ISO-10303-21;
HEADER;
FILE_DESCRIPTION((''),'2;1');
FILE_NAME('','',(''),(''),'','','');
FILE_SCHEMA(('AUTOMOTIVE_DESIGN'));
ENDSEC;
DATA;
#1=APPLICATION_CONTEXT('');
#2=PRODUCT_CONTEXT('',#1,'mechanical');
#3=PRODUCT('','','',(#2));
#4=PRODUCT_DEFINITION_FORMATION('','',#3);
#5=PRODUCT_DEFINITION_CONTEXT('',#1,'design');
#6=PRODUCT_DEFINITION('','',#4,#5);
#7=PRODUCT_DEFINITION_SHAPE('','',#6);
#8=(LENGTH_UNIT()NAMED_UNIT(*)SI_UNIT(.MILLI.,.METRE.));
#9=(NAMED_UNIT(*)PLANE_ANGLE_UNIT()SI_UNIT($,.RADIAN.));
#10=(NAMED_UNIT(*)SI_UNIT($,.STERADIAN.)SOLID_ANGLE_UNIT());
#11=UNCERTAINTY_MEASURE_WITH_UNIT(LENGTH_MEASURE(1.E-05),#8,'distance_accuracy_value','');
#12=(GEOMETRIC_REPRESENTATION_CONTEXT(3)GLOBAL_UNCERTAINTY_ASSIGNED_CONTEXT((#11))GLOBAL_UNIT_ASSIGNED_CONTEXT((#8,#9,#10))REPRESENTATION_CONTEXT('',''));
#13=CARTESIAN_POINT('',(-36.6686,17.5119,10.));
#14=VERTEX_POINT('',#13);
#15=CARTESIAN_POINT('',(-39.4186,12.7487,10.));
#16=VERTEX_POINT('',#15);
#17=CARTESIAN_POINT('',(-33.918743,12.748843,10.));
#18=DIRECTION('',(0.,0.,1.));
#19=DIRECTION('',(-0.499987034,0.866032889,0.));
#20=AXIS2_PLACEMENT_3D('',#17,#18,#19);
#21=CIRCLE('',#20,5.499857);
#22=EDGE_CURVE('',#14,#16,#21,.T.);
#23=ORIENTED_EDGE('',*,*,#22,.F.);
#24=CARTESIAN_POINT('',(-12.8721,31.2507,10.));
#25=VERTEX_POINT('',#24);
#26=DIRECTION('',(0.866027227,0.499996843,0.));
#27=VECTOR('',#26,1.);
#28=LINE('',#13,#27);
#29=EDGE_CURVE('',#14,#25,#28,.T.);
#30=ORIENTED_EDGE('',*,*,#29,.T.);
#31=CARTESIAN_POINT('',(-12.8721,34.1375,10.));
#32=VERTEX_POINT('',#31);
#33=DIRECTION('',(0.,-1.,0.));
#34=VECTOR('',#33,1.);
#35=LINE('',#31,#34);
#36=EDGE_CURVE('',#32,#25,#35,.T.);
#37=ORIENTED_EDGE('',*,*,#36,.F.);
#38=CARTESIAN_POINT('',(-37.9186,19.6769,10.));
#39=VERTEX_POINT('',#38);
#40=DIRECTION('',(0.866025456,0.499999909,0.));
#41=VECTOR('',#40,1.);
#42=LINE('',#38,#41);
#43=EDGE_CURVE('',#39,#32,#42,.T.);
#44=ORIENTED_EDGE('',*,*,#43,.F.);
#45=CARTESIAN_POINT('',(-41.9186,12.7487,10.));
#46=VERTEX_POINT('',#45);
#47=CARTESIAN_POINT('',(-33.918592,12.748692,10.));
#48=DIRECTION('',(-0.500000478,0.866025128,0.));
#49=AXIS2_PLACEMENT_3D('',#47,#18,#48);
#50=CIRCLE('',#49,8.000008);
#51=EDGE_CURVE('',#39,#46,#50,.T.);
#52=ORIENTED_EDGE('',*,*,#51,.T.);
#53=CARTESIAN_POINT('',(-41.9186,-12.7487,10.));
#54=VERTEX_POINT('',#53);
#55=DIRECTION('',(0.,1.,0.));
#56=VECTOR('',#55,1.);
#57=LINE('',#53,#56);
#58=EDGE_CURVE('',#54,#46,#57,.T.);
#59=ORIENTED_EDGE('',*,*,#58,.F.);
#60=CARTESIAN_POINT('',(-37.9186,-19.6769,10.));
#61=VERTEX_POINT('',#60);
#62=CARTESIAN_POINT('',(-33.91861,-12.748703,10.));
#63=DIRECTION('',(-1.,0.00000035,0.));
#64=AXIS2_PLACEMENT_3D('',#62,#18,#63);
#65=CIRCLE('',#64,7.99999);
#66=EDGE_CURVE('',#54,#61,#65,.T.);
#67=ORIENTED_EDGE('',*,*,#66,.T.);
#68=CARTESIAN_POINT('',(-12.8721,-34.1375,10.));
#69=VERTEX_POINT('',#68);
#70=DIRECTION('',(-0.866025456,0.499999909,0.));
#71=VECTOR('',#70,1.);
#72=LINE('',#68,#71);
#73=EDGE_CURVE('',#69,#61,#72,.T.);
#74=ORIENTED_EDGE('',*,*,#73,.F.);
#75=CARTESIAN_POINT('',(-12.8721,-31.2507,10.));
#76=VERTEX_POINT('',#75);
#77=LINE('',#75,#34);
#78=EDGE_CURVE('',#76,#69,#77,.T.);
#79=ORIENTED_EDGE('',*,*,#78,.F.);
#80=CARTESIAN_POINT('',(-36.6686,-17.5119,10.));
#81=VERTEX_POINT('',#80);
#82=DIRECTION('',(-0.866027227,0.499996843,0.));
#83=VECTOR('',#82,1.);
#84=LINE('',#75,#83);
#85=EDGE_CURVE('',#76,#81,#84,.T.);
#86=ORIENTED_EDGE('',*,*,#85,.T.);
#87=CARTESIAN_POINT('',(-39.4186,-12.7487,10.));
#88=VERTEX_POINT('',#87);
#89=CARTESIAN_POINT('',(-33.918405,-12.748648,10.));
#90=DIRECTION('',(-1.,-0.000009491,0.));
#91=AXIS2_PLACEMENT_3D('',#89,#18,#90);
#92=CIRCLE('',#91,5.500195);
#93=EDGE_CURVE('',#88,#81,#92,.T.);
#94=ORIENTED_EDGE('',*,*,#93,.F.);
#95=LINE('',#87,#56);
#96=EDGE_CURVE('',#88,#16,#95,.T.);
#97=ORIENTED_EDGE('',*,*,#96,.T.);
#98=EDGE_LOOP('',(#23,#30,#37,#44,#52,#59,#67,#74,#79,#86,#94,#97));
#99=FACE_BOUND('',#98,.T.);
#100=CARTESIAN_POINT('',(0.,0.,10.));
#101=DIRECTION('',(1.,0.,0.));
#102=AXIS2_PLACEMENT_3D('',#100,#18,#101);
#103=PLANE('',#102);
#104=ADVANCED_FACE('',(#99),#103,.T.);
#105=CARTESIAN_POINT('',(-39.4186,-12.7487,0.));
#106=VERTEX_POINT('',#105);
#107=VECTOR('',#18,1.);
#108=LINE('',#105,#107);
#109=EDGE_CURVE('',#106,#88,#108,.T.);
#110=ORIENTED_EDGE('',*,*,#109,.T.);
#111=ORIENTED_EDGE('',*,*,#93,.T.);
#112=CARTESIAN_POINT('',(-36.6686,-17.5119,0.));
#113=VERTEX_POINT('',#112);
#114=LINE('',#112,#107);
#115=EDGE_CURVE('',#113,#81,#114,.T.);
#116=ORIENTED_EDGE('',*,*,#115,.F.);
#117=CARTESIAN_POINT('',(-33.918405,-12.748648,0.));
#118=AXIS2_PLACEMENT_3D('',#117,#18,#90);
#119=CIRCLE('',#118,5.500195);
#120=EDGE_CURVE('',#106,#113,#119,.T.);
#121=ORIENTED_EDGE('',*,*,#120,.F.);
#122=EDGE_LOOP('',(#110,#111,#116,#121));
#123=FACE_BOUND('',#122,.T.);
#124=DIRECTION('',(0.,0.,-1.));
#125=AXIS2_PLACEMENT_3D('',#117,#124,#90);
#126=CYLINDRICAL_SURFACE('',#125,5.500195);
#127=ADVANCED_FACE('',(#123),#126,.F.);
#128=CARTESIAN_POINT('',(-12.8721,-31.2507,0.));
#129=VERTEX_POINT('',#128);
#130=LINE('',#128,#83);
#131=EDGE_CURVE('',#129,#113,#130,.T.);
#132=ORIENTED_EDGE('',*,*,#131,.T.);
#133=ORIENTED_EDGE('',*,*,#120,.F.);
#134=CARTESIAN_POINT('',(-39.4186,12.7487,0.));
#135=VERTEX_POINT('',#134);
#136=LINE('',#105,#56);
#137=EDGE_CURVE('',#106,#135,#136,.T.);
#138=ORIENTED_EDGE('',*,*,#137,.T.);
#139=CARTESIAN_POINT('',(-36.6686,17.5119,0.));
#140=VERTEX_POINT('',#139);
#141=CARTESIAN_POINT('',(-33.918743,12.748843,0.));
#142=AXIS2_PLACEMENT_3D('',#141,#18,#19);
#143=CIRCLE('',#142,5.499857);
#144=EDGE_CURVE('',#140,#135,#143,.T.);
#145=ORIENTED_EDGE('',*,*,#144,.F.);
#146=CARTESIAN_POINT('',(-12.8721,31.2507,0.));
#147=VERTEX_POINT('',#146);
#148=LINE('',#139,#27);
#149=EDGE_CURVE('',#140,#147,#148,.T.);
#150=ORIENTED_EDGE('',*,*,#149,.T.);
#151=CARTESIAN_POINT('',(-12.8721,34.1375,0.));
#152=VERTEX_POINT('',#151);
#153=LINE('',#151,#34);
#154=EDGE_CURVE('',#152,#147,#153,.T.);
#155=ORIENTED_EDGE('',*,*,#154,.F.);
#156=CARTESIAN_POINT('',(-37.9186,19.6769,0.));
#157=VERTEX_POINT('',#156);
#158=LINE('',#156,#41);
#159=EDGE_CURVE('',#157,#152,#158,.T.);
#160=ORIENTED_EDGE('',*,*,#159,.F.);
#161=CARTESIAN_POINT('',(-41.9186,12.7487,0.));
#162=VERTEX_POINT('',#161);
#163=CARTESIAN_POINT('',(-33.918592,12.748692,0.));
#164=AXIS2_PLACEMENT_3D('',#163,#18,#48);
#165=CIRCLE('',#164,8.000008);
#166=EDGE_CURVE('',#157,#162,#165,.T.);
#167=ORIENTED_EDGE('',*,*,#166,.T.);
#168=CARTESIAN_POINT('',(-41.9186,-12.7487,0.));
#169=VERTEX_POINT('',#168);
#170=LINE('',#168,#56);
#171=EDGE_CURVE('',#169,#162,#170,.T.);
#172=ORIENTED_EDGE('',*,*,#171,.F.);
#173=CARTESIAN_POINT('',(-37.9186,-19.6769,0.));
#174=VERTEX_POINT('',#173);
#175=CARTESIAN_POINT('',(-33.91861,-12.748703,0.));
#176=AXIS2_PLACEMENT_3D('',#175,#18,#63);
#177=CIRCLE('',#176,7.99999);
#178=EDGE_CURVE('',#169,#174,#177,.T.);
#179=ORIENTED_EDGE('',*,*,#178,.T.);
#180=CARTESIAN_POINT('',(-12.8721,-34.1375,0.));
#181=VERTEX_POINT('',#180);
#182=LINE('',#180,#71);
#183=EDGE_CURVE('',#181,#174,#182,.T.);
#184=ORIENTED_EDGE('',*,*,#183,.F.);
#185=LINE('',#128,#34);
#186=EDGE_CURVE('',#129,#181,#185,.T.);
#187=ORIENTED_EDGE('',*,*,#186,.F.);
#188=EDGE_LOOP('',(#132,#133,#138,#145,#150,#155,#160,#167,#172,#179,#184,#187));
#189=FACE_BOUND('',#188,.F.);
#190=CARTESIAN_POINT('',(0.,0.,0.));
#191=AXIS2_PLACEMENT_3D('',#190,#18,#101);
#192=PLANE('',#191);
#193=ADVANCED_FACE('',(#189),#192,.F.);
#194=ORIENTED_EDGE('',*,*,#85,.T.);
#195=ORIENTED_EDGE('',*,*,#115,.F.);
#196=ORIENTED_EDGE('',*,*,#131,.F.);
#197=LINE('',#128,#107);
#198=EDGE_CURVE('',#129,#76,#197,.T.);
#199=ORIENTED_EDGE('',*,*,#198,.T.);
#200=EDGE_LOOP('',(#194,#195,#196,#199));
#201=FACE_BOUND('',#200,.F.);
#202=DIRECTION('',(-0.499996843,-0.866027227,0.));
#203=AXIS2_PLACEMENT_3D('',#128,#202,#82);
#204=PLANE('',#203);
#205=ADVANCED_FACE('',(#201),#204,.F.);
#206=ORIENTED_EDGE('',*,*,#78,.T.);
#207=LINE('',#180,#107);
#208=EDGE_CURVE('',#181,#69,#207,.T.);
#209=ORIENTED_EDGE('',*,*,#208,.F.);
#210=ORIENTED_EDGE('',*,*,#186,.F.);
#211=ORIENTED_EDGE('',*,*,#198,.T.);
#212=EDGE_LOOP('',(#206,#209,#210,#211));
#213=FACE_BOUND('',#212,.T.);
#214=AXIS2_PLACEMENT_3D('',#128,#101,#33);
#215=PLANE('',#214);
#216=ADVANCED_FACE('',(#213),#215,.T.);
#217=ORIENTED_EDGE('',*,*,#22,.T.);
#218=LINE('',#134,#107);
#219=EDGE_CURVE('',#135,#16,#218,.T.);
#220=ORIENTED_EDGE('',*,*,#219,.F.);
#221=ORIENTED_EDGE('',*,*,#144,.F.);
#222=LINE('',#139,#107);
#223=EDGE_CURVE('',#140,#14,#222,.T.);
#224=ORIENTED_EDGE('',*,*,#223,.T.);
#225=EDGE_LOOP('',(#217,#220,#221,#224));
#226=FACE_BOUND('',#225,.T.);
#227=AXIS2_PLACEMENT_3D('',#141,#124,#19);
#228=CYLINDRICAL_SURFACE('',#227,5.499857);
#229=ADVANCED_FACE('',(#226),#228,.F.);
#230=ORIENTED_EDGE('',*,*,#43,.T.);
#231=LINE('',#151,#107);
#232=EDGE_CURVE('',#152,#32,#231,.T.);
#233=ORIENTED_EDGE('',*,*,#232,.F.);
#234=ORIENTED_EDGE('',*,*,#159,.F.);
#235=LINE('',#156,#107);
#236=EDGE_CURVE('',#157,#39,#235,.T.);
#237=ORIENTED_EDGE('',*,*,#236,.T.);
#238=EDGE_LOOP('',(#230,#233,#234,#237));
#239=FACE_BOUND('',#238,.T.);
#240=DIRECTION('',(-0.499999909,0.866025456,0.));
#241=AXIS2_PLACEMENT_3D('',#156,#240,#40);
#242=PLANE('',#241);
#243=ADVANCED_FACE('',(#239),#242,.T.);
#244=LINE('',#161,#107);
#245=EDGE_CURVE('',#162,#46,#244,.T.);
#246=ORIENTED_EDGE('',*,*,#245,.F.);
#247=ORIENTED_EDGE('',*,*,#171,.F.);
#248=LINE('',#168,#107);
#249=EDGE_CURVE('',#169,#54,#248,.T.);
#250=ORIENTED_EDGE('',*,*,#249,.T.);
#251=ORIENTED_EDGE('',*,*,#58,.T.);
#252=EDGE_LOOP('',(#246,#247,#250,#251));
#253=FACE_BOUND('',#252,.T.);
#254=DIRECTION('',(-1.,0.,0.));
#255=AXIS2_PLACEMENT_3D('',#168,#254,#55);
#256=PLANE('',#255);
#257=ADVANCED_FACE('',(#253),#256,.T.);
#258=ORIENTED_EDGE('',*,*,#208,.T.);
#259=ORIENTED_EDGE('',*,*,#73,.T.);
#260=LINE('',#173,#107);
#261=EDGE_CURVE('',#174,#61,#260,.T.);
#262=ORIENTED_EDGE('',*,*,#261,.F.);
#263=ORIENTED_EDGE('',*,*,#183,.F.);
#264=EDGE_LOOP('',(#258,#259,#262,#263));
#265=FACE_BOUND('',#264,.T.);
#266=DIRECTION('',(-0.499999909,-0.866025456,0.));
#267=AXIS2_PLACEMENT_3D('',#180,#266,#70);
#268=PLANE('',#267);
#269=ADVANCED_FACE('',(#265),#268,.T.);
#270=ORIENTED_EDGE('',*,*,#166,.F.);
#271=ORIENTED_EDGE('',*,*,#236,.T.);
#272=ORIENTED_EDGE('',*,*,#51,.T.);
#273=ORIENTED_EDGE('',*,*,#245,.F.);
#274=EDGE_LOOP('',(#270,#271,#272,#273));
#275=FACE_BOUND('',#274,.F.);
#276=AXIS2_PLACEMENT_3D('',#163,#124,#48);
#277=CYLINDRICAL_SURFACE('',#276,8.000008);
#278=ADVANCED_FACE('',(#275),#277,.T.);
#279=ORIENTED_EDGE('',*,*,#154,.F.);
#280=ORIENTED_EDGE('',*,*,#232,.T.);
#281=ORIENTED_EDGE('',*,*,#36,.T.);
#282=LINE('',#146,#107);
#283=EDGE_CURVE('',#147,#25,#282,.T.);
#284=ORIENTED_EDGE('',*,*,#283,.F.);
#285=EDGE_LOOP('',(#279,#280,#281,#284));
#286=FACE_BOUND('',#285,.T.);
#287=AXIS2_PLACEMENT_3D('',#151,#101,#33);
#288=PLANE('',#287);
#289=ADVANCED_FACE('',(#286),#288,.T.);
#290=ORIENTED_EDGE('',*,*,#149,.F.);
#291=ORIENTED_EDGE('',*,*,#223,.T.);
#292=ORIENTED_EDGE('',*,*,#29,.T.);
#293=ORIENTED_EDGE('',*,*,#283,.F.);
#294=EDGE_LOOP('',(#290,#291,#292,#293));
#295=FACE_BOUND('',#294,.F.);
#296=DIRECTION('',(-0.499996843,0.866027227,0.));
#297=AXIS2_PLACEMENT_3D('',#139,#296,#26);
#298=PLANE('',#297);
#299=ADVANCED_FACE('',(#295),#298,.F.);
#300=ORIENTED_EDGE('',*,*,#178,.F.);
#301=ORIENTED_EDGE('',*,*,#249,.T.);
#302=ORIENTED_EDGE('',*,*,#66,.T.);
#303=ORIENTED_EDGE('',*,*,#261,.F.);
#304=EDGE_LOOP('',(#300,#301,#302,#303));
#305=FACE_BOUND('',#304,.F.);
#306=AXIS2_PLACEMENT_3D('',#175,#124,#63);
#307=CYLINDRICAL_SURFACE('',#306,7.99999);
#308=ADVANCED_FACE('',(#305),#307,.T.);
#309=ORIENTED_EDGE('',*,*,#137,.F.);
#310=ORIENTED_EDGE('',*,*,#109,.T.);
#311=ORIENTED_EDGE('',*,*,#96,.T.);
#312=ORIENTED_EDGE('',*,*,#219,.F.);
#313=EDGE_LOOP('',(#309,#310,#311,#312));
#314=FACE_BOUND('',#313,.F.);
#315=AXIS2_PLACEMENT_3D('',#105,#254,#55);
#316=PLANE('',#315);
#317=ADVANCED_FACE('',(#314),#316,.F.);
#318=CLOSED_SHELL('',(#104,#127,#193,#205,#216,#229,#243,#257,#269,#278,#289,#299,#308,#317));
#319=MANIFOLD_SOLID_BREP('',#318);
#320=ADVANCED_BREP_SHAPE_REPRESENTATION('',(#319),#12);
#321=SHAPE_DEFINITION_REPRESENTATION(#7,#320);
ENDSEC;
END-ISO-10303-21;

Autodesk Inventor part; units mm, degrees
ref_plane "YZ Plane" through (0, 0, 0) normal (1, 0, 0) x (0, 1, 0)
ref_plane "XZ Plane" through (0, 0, 0) normal (0, 1, 0) x (-1, 0, 0)
ref_plane "XY Plane" through (0, 0, 0) normal (0, 0, 1) x (1, 0, 0)
sketch "Sketch1" plane through (0, 0, 0) normal (0, 0, 1) x (1, 0, 0)
  circle A0 centre (-21.75, -3) radius 1 projected
  circle A1 centre (-20, 14) radius 1.5 projected
  circle A2 centre (-20, -14) radius 1.5 projected
  circle A3 centre (21, 8.5) radius 1.5 projected
  circle A4 centre (9, 0) radius 1.5 projected
  circle A5 centre (21, -8.5) radius 1.5
  circle A6 centre (12, -9) radius 6
  circle A7 centre (12, 9) radius 6 projected
  circle A8 centre (5.9186, 35.7487) radius 2 projected
  circle A9 centre (5.9186, -35.7487) radius 2 projected
  circle A10 centre (28, -23) radius 2 projected
  circle A11 centre (28, 23) radius 2 projected
  arc A12 (34, 23) -> (31, 28.1962) centre (28, 23) ccw projected
  line L0 (31, 28.1962) -> (8.9186, 40.9449) projected
  arc A13 (8.9186, 40.9449) -> (2.9186, 40.9449) centre (5.9186, 35.7487) ccw projected
  arc A14 (2.9186, -40.9449) -> (8.9186, -40.9449) centre (5.9186, -35.7487) ccw projected
  line L1 (8.9186, -40.9449) -> (31, -28.1962) projected
  arc A15 (31, -28.1962) -> (34, -23) centre (28, -23) ccw projected
  line L2 (34, -23) -> (34, 23) projected
  line L3 (-12.8721, -31.2507) -> (-12.8721, -34.1375)
  line L4 (-12.8721, 34.1375) -> (-12.8721, 31.2507)
  line L5 (-36.6686, 17.5119) -> (-12.8721, 31.2507)
  arc A16 (-39.4186, -12.7487) -> (-36.6686, -17.5119) centre (-33.9186, -12.7487) ccw
  line L6 (-39.4186, -12.7487) -> (-39.4186, 12.7487)
  arc A17 (-36.6686, 17.5119) -> (-39.4186, 12.7487) centre (-33.9186, 12.7487) ccw
  line L7 (-37.9186, 19.6769) -> (-12.8721, 34.1375)
  arc A18 (-41.9186, -12.7487) -> (-37.9186, -19.6769) centre (-33.9186, -12.7487) ccw
  line L8 (-41.9186, -12.7487) -> (-41.9186, 12.7487)
  arc A19 (-37.9186, 19.6769) -> (-41.9186, 12.7487) centre (-33.9186, 12.7487) ccw
  arc A20 (-36.6686, 17.5119) -> (-39.4186, 12.7487) centre (-33.9186, 12.7487) ccw
  arc A21 (-39.4186, -12.7487) -> (-36.6686, -17.5119) centre (-33.9186, -12.7487) ccw
  line L9 (-12.8721, -34.1375) -> (-37.9186, -19.6769)
  line L10 (-12.8721, -31.2507) -> (-36.6686, -17.5119)
extrude "Extrusion1" add sketch "Sketch1" along normal blind 10 contours L3 L9 A18 L8 A19 L7 L4 L5 A17 L6 A16 L10
properties part number "nozzle mask back"
